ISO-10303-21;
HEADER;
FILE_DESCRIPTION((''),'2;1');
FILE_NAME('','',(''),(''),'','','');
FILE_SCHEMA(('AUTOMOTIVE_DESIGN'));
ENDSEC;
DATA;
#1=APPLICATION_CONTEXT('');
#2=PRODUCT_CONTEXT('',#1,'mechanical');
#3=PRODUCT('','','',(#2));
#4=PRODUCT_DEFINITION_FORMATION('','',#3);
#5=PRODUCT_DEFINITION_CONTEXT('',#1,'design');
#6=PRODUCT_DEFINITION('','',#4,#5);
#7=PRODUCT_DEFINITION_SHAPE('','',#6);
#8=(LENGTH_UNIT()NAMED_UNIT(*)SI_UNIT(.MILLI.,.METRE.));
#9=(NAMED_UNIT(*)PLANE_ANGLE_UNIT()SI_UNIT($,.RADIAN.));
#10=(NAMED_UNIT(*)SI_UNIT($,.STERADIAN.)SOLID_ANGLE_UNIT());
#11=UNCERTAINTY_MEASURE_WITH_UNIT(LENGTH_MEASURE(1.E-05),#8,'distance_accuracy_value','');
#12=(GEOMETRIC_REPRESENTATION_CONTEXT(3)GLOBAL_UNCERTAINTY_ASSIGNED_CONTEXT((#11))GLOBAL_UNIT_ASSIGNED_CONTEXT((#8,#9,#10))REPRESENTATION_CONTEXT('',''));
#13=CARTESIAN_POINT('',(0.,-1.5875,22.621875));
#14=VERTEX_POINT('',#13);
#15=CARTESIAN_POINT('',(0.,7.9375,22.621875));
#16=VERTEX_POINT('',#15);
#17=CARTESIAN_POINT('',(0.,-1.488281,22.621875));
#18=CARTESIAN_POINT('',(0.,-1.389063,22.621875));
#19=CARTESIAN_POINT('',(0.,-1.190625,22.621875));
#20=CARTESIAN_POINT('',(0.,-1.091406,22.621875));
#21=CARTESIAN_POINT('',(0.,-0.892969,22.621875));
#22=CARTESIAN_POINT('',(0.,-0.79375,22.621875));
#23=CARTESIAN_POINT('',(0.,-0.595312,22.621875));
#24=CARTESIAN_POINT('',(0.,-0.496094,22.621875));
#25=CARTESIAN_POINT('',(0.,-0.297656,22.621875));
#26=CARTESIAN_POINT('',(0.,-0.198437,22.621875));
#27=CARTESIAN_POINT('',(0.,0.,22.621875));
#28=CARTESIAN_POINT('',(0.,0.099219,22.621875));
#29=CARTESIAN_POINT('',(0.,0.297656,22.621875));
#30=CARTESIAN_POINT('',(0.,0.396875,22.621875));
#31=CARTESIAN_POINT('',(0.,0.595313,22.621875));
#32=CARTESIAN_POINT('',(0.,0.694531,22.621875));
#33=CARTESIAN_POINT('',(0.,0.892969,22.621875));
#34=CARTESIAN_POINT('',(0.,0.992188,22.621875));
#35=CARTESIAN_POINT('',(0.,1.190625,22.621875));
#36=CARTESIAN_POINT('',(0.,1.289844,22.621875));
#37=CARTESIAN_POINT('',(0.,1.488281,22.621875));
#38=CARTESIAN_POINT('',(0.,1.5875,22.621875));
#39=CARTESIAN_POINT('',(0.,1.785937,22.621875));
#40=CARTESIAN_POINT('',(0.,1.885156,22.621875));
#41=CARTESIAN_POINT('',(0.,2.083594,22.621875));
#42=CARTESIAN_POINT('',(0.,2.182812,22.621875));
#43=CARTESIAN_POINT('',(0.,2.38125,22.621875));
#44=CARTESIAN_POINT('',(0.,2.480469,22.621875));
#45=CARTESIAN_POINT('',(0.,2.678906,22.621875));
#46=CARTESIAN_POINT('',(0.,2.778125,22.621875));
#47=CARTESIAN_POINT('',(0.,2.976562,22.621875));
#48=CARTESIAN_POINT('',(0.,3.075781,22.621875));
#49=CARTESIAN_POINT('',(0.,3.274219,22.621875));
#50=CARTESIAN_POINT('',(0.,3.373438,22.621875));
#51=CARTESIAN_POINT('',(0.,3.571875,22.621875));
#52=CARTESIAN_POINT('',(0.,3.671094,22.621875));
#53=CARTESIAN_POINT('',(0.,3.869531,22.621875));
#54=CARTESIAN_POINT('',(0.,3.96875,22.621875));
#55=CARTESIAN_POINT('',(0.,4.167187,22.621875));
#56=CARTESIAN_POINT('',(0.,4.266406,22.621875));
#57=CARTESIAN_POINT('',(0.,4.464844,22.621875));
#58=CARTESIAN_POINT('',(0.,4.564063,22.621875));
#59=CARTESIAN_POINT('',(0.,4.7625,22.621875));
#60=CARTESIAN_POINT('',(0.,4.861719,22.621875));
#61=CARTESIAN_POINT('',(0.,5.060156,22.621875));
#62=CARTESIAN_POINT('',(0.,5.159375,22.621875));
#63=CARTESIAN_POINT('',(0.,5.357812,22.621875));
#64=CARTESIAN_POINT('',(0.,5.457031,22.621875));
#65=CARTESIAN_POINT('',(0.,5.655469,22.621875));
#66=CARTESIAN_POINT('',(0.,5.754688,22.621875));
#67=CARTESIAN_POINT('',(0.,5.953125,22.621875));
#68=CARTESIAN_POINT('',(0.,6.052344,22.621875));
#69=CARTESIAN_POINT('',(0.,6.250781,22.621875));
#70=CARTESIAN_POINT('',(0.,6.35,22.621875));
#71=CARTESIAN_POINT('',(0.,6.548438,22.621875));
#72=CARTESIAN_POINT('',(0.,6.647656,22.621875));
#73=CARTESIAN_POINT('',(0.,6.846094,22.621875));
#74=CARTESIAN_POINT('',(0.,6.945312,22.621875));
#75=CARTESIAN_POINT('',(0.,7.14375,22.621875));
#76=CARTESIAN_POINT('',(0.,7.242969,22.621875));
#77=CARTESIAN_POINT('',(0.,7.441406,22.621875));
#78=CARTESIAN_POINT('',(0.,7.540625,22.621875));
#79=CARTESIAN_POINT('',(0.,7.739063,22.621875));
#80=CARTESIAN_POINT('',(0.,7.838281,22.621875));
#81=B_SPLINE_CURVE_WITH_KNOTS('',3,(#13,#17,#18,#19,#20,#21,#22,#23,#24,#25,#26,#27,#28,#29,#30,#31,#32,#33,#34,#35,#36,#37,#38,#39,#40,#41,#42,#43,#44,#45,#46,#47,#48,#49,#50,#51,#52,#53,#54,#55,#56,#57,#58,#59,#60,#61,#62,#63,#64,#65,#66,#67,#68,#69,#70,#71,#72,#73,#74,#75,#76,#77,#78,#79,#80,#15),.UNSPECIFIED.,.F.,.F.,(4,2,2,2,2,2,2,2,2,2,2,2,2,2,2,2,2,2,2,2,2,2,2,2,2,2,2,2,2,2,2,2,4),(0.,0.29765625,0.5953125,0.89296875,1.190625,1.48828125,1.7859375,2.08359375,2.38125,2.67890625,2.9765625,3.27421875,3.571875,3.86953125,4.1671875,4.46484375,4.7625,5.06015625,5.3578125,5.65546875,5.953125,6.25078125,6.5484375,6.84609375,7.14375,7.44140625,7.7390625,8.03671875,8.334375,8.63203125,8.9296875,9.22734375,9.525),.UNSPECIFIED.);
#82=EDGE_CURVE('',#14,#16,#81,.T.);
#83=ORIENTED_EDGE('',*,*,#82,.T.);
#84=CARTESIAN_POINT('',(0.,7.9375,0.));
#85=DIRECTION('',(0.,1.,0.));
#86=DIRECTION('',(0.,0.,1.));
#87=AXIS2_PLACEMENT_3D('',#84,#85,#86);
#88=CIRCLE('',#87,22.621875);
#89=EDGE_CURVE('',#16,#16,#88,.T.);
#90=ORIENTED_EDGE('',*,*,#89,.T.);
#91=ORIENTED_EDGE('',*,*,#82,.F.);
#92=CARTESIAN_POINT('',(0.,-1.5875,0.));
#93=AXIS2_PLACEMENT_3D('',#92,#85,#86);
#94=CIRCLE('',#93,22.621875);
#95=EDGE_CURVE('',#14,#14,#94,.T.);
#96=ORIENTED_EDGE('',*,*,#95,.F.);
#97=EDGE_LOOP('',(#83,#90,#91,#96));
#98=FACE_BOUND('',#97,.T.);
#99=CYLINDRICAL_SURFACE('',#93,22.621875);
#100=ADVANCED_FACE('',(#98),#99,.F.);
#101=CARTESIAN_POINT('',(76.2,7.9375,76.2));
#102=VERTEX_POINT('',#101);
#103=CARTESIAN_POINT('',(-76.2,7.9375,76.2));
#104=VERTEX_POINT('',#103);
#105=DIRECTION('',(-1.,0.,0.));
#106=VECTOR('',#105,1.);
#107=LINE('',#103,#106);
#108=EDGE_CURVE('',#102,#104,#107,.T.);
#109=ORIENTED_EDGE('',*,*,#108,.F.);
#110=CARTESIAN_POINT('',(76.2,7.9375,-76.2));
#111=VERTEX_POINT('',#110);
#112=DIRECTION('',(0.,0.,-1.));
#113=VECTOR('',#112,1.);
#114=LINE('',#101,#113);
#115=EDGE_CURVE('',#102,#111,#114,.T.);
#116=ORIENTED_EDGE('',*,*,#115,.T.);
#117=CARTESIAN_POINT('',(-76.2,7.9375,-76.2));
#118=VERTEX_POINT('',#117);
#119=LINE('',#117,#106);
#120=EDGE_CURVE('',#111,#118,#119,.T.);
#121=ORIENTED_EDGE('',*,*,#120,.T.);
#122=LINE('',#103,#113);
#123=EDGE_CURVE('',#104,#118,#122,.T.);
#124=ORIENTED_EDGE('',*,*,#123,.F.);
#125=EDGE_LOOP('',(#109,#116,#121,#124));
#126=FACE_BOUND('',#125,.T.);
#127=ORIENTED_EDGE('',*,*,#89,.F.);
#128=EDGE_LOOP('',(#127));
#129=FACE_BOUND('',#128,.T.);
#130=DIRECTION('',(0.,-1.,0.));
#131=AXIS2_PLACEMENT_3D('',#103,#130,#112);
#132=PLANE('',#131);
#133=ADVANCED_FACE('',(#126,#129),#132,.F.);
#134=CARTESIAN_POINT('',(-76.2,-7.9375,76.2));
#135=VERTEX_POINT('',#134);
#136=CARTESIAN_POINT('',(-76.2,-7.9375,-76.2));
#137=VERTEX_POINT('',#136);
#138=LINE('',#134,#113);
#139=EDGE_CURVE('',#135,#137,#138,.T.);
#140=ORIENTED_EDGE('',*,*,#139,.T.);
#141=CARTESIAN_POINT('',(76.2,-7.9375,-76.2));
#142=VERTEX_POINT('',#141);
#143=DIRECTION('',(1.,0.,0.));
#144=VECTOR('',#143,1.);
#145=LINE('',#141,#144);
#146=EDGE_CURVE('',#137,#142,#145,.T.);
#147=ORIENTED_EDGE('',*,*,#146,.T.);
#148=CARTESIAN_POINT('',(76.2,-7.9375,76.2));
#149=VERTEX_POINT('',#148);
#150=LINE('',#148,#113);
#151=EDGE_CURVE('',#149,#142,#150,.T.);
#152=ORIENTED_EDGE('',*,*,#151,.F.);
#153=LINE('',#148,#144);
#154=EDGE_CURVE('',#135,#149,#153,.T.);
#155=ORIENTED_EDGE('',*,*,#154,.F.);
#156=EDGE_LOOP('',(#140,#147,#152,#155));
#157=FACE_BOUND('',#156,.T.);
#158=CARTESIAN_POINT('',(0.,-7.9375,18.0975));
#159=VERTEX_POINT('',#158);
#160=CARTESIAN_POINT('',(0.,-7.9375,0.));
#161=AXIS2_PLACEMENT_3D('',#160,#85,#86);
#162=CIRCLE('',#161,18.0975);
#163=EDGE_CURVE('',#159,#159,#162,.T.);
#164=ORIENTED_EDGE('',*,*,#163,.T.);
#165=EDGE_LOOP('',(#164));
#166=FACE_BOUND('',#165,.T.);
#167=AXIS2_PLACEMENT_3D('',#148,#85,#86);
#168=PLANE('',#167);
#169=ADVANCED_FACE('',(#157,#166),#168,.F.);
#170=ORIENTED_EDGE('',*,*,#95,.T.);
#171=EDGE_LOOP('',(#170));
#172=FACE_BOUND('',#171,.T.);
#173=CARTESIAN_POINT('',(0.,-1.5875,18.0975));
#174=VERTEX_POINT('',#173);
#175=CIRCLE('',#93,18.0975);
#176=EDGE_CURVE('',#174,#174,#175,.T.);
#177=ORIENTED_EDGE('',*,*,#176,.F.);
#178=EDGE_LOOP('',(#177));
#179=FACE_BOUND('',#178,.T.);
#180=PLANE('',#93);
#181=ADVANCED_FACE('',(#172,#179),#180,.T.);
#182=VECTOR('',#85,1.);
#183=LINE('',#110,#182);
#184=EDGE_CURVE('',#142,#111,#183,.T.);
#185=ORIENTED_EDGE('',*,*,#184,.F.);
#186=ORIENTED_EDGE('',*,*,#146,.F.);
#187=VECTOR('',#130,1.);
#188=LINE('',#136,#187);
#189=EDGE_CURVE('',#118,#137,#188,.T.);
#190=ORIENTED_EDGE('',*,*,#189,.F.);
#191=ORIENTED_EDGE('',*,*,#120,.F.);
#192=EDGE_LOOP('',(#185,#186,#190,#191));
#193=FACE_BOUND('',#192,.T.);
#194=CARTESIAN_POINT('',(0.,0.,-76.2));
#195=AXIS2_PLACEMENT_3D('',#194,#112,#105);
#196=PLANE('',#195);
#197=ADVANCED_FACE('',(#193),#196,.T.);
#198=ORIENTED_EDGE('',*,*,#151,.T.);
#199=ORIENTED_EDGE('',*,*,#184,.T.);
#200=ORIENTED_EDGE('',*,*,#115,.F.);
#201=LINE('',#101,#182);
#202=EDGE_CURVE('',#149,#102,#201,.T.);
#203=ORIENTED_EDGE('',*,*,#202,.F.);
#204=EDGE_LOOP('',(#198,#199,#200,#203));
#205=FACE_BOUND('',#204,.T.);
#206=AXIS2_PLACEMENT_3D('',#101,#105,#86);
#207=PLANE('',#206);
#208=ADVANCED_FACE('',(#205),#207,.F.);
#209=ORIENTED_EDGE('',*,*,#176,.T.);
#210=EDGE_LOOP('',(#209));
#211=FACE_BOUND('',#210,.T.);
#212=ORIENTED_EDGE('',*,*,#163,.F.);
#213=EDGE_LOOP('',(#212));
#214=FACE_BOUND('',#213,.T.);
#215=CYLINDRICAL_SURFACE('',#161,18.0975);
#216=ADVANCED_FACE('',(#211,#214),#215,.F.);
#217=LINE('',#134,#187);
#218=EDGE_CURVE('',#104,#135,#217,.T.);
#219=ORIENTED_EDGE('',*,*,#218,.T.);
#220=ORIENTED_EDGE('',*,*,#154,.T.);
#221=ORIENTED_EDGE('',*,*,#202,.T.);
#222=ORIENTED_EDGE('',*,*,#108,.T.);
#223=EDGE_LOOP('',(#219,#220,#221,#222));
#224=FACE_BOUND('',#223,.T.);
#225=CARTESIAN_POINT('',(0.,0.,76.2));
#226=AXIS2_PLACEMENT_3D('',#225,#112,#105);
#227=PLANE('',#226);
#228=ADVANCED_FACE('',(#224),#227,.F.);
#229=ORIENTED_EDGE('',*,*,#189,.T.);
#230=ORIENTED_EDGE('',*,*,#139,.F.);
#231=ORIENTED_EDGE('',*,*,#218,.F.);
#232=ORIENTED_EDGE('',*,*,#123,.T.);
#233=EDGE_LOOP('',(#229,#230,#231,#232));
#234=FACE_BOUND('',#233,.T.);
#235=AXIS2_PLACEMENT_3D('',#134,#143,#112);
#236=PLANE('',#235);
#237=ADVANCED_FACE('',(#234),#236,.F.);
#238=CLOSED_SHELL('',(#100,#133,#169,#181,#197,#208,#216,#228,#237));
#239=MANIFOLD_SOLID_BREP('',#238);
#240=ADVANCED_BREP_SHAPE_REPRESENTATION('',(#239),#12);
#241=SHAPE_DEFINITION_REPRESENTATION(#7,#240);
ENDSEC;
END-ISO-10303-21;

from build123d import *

# Parameters (mm, degrees)
SKETCH3_W           = 152.4
SKETCH3_H           = 15.875
BOSS_EXTRUDE1_DEPTH = 76.2
SKETCH4_R           = 22.621875
CUT_EXTRUDE1_DEPTH  = 9.525
SKETCH5_R           = 18.0975
CUT_EXTRUDE2_DEPTH  = 109.183203987


with BuildPart() as part:
    # Sketch3 → Boss-Extrude1 (new, symmetric)
    with BuildSketch(Plane.XY):
        Rectangle(SKETCH3_W, SKETCH3_H)
    extrude(amount=BOSS_EXTRUDE1_DEPTH, both=True)

    # Sketch4 → Cut-Extrude1 (cut)
    with BuildSketch(Plane(origin=(0, 7.9375, 0), x_dir=(1, 0, 0), z_dir=(0, 1, 0))):
        with Locations(Location((0, 0, 0), (0, 0, 270))):
            Circle(SKETCH4_R)
    extrude(amount=-CUT_EXTRUDE1_DEPTH, mode=Mode.SUBTRACT)

    # Sketch5 → Cut-Extrude2 (cut, through all)
    with BuildSketch(Plane(origin=(0, -1.5875, 0), x_dir=(1, 0, 0), z_dir=(0, 1, 0))):
        with Locations(Location((0, 0, 0), (0, 0, 270))):
            Circle(SKETCH5_R)
    extrude(amount=-CUT_EXTRUDE2_DEPTH, mode=Mode.SUBTRACT)


solid = part.part
